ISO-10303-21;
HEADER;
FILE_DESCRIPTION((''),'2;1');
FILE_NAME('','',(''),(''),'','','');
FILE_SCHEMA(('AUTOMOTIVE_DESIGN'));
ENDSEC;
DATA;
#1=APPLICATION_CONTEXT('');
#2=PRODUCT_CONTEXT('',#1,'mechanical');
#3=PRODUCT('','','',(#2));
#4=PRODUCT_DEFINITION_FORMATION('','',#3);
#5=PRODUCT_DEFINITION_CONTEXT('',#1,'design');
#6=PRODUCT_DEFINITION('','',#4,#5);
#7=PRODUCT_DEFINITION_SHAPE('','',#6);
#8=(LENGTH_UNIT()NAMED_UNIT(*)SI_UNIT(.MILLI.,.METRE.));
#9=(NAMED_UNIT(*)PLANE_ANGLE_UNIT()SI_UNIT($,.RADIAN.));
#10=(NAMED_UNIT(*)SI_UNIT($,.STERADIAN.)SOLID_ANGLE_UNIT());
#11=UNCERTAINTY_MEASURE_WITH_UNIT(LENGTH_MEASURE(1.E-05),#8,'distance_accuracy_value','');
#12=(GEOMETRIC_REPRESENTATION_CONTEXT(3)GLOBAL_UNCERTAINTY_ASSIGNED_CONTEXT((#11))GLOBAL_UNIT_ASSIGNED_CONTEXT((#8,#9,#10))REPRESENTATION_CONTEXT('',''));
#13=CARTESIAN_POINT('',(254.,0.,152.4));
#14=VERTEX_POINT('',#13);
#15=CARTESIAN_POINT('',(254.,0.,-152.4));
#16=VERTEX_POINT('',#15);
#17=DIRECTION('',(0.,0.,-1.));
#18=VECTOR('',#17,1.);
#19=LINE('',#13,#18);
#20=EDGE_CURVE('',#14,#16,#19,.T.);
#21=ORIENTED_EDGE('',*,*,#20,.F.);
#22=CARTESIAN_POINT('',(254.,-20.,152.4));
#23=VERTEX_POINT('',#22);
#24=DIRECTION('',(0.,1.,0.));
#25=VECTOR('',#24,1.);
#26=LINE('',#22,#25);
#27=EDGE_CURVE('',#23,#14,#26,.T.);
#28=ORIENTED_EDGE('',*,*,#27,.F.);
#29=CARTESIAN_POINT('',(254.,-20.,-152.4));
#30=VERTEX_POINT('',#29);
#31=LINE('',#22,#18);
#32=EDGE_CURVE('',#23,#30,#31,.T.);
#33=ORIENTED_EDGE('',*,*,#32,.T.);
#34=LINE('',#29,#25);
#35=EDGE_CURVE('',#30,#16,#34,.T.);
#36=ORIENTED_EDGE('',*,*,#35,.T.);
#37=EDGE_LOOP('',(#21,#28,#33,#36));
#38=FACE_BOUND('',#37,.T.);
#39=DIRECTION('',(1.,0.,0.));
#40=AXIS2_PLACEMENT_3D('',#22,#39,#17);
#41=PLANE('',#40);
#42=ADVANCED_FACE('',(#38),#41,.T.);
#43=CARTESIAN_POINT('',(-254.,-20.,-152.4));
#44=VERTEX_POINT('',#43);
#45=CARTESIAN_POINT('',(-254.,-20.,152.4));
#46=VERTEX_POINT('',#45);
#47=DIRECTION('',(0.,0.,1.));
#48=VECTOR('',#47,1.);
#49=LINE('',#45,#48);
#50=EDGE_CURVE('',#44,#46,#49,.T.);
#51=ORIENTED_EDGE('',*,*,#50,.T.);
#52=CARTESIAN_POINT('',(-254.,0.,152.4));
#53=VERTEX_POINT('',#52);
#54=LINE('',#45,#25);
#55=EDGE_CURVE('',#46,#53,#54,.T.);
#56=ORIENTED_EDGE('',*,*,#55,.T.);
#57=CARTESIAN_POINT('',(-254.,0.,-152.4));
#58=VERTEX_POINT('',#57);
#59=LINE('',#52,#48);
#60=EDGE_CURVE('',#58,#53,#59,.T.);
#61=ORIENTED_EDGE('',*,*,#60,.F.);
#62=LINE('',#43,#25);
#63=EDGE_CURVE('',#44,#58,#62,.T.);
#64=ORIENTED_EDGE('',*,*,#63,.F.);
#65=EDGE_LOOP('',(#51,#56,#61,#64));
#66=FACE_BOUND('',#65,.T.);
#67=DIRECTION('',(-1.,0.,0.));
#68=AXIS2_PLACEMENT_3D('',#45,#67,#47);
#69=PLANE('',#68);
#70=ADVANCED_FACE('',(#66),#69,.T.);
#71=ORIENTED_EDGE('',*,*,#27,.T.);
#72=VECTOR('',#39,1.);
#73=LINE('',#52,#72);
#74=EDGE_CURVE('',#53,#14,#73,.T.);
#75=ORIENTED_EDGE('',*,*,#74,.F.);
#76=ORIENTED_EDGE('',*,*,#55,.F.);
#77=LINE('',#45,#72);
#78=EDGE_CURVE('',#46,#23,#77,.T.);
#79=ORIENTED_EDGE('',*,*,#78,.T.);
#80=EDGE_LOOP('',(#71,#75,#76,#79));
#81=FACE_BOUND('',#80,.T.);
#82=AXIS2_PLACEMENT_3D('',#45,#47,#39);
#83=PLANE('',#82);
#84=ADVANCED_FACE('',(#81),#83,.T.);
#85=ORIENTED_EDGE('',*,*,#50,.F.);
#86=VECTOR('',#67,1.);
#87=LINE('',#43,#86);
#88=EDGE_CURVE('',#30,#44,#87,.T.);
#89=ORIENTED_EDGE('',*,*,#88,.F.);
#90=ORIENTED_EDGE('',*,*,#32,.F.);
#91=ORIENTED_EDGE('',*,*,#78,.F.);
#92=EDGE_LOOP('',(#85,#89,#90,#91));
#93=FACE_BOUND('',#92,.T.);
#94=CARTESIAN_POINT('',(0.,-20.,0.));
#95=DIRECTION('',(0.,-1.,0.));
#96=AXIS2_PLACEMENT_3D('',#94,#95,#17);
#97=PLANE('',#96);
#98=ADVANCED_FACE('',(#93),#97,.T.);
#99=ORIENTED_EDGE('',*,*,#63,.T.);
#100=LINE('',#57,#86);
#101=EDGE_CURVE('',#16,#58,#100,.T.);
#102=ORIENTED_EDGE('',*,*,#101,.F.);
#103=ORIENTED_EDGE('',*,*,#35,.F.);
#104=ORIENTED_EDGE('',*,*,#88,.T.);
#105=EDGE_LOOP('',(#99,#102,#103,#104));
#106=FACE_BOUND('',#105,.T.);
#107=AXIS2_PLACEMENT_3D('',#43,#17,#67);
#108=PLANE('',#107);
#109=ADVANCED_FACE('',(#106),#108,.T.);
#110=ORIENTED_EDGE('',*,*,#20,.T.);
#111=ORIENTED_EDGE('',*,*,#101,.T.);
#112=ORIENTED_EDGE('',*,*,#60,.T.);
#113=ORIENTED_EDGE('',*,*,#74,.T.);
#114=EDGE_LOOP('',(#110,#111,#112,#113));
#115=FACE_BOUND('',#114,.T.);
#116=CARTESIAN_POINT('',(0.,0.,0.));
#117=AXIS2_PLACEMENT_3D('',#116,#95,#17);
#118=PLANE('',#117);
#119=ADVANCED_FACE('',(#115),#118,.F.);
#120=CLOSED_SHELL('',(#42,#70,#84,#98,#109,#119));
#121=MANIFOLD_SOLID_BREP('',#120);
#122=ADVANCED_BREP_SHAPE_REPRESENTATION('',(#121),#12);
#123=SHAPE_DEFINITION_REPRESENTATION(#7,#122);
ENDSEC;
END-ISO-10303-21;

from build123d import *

# Parameters (mm, degrees)
SKETCH1_W           = 508
SKETCH1_H           = 304.8
BOSS_EXTRUDE1_DEPTH = 20


with BuildPart() as part:
    # Sketch1 → Boss-Extrude1 (new body)
    with BuildSketch(Plane(origin=(0, 0, 0), x_dir=(1, 0, 0), z_dir=(0, 1, 0))):
        Rectangle(SKETCH1_W, SKETCH1_H)
    extrude(amount=-BOSS_EXTRUDE1_DEPTH)


solid = part.part
